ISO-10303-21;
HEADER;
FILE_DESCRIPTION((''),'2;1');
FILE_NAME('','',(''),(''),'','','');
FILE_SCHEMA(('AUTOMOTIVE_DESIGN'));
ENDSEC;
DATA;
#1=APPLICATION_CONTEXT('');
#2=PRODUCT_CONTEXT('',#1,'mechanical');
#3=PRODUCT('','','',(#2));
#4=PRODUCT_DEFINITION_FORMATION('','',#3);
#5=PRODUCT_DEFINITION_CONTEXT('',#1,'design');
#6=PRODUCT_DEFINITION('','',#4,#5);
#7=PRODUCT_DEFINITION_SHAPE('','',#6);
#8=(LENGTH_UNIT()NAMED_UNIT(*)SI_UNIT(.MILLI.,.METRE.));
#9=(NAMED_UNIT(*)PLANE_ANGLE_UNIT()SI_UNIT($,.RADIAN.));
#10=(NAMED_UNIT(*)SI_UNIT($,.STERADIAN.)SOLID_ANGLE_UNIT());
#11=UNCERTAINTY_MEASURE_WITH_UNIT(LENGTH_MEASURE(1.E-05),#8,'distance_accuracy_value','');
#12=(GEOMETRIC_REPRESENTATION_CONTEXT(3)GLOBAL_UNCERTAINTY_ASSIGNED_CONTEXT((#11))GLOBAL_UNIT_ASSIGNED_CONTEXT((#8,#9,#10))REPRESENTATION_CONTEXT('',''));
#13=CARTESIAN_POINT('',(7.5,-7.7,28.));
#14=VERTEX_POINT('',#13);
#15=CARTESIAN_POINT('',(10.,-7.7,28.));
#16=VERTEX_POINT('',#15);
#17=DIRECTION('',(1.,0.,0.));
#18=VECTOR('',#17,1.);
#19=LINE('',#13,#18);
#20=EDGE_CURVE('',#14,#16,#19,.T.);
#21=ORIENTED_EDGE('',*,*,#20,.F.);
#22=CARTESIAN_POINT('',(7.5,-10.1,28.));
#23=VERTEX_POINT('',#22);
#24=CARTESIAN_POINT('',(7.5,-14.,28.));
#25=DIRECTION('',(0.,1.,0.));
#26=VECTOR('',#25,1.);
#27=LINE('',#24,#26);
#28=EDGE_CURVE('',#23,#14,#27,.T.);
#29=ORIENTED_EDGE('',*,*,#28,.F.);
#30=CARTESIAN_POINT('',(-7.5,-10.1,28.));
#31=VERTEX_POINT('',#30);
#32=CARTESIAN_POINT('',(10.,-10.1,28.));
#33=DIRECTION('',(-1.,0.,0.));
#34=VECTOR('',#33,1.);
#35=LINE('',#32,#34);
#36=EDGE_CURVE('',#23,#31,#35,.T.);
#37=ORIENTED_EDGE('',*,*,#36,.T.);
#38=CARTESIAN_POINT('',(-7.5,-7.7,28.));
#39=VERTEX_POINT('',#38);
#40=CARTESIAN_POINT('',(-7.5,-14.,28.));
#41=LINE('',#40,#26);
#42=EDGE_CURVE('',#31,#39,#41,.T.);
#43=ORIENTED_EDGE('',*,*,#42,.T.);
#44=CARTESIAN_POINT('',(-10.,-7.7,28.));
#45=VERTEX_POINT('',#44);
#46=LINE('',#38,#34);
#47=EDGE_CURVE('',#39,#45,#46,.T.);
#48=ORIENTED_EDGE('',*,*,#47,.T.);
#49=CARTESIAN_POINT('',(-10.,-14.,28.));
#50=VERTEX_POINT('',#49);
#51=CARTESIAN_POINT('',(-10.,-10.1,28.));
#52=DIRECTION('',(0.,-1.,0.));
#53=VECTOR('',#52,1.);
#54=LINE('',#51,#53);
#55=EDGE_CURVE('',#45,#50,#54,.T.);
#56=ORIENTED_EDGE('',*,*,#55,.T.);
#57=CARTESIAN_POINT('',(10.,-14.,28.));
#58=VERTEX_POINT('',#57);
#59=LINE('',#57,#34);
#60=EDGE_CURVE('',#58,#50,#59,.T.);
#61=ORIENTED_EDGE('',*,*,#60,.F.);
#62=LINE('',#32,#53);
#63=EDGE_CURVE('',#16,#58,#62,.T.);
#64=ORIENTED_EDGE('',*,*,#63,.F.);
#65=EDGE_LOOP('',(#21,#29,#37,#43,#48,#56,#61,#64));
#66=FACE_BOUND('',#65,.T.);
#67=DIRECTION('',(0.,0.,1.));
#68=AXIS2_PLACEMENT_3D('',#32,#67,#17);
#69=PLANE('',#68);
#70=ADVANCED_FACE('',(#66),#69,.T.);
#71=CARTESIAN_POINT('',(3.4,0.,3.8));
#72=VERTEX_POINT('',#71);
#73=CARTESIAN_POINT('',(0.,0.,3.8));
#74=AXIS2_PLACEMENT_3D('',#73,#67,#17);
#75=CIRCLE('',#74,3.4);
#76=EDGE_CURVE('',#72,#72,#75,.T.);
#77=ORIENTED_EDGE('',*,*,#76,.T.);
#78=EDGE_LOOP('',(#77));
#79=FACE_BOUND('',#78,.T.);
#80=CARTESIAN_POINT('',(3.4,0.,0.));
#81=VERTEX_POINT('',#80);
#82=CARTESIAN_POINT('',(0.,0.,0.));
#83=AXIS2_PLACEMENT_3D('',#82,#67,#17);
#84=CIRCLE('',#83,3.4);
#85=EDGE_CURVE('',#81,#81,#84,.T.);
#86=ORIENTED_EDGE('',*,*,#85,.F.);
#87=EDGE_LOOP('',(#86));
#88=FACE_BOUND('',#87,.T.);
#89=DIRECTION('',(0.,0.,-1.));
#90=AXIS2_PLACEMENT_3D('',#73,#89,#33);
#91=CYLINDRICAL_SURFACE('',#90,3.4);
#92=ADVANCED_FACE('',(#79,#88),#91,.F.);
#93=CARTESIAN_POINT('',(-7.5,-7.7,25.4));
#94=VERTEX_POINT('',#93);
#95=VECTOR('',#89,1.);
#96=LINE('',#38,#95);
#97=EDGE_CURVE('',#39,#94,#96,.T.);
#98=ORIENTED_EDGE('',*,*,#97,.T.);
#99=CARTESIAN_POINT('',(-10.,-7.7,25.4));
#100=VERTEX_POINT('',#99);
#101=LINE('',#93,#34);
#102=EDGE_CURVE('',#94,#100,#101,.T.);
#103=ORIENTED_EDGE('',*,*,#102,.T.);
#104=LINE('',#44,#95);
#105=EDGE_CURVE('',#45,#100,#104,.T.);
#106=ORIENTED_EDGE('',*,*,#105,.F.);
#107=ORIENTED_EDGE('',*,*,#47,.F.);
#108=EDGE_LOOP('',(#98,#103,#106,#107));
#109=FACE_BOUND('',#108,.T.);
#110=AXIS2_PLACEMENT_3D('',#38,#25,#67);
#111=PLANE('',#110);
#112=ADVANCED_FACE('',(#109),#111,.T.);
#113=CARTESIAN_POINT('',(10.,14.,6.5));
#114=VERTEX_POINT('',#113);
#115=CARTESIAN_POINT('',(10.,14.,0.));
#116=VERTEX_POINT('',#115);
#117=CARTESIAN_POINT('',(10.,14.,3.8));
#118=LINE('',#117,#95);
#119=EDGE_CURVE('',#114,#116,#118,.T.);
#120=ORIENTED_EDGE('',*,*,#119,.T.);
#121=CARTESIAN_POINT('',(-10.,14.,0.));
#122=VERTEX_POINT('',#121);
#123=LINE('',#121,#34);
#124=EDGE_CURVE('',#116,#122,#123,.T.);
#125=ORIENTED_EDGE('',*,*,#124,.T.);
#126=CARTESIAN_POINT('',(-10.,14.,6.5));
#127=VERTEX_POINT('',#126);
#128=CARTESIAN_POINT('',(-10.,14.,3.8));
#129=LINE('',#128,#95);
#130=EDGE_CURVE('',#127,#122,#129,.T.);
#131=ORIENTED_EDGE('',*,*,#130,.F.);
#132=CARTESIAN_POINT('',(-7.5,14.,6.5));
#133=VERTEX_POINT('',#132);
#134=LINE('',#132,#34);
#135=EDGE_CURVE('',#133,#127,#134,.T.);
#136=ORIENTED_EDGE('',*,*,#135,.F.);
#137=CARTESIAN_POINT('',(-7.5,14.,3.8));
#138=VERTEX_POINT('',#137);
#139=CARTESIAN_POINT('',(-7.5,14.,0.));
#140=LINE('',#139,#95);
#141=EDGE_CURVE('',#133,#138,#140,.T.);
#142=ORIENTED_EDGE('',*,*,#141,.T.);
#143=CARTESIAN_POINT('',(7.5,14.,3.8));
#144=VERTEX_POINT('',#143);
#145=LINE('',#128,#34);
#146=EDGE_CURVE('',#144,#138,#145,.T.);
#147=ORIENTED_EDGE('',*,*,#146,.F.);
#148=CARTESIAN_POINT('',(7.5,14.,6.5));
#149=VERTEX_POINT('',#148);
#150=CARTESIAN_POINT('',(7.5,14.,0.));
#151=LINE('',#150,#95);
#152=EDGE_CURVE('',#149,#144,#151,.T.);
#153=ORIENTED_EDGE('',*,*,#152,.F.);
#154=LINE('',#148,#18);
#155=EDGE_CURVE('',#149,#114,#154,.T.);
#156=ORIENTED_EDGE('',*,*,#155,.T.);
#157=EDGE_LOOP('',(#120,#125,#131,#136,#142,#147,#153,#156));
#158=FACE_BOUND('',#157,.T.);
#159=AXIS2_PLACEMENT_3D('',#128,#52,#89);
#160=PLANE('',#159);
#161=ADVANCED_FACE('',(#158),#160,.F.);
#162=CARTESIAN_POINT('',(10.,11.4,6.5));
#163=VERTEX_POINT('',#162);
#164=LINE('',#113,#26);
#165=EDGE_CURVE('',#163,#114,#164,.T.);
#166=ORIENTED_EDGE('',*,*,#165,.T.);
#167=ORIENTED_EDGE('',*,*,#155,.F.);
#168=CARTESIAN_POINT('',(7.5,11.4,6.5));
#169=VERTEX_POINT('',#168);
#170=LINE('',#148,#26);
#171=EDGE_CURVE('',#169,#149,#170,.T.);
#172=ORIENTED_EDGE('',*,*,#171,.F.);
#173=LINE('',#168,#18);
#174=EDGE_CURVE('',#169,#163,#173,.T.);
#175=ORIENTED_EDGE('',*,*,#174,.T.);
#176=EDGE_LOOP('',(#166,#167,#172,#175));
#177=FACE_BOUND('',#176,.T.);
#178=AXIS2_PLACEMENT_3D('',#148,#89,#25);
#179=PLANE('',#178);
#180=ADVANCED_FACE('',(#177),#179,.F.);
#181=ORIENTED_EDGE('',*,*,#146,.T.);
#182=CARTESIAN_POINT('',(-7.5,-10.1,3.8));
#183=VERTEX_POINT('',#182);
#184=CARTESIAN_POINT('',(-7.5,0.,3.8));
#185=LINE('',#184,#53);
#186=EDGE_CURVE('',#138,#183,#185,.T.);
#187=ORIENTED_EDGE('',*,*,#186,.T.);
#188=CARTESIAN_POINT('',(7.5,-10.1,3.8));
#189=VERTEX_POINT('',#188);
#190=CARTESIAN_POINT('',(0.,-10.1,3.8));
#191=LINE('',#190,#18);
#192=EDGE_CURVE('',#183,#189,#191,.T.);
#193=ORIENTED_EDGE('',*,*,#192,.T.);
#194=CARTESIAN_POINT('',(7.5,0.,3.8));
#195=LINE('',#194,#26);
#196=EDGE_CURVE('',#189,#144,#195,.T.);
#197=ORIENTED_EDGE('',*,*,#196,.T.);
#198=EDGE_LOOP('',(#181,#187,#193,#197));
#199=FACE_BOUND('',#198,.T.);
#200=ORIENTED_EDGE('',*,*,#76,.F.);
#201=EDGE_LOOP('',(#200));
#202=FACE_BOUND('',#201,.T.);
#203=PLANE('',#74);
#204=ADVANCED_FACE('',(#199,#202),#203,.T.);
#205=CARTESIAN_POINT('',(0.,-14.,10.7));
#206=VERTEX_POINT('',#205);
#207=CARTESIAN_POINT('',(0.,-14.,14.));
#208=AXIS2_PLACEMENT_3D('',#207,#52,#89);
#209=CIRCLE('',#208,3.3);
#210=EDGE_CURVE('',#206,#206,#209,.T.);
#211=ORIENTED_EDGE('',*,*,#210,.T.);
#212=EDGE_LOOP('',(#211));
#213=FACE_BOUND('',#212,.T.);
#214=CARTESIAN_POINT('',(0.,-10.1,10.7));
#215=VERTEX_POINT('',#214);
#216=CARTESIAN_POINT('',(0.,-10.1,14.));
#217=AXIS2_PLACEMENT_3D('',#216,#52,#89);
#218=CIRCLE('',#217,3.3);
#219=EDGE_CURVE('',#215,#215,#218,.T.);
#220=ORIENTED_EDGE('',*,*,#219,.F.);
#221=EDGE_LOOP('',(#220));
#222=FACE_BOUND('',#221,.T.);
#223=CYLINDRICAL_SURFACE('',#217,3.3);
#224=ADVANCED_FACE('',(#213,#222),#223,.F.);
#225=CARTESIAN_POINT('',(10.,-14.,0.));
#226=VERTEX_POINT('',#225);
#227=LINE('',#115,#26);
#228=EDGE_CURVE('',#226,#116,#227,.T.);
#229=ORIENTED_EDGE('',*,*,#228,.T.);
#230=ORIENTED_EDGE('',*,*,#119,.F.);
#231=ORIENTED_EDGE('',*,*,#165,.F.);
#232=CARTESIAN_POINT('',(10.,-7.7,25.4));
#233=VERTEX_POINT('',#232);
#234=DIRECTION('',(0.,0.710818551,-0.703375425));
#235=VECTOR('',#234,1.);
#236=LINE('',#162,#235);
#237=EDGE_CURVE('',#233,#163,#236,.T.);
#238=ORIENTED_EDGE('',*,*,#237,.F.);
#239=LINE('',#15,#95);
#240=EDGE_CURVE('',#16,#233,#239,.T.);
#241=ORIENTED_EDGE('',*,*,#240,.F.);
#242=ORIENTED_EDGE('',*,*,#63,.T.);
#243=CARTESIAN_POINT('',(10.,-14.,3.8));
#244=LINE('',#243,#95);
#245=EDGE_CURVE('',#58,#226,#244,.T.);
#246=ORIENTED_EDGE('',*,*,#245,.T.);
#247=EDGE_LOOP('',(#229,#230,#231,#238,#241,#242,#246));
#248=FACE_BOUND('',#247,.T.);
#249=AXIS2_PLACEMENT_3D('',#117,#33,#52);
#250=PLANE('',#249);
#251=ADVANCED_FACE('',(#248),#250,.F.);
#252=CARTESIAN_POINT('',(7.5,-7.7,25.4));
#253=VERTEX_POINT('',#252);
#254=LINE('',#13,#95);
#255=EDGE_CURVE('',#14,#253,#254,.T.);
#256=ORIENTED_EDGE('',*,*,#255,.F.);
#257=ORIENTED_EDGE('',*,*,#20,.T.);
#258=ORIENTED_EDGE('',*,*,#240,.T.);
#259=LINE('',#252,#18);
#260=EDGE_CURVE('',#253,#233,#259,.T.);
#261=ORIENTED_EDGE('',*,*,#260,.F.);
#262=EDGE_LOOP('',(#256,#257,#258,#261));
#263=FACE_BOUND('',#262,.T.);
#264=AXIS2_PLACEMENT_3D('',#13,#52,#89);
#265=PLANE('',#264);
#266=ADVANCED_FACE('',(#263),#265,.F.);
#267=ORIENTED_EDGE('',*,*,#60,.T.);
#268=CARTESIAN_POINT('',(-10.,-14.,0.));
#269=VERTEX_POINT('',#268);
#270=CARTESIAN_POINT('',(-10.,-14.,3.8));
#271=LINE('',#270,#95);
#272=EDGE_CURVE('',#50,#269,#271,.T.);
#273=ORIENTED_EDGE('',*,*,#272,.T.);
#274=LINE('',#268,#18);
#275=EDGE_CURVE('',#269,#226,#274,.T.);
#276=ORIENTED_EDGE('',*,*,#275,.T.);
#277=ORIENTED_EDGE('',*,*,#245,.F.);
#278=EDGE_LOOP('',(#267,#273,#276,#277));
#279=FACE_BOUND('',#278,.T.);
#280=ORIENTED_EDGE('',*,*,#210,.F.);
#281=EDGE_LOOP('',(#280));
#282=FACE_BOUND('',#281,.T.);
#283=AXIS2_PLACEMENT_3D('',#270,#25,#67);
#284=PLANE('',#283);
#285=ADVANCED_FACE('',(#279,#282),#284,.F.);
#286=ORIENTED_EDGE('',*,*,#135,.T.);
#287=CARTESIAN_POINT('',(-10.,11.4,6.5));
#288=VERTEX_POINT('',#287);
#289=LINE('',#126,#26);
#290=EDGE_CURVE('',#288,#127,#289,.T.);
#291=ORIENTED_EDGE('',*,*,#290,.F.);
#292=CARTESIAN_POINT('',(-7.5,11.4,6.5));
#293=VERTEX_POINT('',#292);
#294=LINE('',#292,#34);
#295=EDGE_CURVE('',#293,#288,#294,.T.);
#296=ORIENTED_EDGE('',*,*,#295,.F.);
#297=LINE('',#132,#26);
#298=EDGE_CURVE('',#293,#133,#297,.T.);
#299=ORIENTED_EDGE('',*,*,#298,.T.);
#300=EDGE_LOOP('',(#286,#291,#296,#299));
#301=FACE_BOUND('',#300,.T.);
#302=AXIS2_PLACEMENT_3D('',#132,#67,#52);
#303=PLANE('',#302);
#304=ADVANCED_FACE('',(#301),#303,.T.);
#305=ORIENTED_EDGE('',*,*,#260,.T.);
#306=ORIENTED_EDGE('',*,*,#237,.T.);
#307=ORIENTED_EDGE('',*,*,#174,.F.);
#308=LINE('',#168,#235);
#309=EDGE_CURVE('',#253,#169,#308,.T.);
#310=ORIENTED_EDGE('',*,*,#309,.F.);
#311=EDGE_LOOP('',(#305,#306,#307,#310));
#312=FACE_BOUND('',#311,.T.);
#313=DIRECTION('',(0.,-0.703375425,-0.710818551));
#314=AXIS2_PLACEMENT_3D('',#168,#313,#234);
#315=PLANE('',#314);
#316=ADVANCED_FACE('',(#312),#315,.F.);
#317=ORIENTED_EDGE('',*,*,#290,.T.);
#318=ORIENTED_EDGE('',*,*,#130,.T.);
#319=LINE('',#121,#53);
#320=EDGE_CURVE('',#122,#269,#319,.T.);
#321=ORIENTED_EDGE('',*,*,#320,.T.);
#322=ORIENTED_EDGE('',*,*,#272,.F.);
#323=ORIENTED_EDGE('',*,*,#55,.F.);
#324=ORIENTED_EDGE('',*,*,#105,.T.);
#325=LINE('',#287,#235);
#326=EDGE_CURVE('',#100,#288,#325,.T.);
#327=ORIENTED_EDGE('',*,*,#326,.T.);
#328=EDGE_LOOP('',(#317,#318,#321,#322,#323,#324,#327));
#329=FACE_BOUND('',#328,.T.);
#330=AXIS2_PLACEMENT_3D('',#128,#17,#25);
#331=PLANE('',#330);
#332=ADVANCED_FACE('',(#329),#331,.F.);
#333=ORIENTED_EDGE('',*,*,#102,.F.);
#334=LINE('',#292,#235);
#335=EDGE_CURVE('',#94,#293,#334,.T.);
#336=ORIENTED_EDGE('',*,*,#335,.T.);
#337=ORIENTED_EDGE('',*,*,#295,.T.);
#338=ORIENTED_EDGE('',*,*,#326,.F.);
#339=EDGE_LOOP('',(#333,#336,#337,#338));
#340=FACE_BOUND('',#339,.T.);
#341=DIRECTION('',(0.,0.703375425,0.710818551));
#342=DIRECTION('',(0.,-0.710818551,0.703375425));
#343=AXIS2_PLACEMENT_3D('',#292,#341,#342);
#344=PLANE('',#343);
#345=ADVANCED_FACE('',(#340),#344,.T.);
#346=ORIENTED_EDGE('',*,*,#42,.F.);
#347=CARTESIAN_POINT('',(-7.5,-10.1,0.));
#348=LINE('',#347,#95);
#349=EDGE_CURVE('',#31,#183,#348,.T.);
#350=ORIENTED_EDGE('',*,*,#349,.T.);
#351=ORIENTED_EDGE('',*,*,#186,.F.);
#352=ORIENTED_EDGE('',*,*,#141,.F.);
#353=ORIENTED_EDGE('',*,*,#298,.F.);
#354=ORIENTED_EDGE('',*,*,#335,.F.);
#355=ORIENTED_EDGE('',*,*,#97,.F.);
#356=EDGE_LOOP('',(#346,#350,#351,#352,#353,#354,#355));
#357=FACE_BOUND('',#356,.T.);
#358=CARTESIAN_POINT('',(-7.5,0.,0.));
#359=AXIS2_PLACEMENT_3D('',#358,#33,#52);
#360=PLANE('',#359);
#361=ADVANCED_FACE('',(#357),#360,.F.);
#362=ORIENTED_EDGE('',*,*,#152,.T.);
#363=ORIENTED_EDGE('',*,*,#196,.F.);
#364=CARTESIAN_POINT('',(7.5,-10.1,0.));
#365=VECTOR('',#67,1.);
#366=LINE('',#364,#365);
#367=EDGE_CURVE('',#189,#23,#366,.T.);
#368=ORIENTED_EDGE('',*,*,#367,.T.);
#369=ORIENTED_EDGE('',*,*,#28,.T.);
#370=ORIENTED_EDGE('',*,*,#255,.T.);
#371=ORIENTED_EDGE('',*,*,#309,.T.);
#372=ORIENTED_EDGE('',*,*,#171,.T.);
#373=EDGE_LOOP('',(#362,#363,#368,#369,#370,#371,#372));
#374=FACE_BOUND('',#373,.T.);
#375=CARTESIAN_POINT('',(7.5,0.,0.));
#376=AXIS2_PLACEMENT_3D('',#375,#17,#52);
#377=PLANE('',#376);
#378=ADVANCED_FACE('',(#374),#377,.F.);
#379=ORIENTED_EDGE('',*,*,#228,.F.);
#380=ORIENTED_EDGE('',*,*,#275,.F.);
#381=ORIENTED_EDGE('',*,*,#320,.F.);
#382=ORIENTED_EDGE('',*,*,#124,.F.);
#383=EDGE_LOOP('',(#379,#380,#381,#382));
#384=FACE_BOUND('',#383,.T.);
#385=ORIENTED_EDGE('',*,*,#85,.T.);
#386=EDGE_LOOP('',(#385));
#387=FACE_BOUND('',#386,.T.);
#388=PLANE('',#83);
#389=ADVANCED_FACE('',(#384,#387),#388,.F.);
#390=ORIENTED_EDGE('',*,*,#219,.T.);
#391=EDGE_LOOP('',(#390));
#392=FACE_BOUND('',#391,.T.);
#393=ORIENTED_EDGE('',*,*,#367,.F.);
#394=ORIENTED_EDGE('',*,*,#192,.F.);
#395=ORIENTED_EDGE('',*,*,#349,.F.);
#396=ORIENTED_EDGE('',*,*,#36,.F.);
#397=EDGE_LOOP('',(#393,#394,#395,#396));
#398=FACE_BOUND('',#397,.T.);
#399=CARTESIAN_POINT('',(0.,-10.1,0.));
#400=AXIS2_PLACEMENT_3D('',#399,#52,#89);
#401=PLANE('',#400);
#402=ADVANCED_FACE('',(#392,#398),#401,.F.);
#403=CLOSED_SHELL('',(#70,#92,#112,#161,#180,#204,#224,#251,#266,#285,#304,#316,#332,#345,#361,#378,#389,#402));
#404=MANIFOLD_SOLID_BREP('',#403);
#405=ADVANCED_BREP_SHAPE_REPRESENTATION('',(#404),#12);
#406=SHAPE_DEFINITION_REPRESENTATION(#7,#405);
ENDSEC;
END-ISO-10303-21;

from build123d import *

# Parameters (mm, degrees)
SKETCH1_W           = 20
SKETCH1_H           = 28
SKETCH1_R           = 3.4
BOSS_EXTRUDE1_DEPTH = 3.8
SKETCH2_W           = 20
SKETCH2_H           = 28
SKETCH2_R           = 3.3
BOSS_EXTRUDE2_DEPTH = 3.9
SKETCH3_W           = 6.5
SKETCH3_H           = 24.1
BOSS_EXTRUDE3_DEPTH = 2.5
SKETCH4_W           = 28
SKETCH4_H           = 6.3
BOSS_EXTRUDE4_DEPTH = 2.5
BOSS_EXTRUDE5_DEPTH = 2.5


with BuildPart() as part:
    # Sketch1 → Boss-Extrude1 (new body)
    with BuildSketch(Plane.XY):
        Rectangle(SKETCH1_W, SKETCH1_H)
        Circle(SKETCH1_R, mode=Mode.SUBTRACT)
    extrude(amount=BOSS_EXTRUDE1_DEPTH)

    # Sketch2 → Boss-Extrude2 (add)
    with BuildSketch(Plane.XZ.offset(14)):
        with Locations((0, 14)):
            Rectangle(SKETCH2_W, SKETCH2_H)
        with Locations((0, 14)):
            Circle(SKETCH2_R, mode=Mode.SUBTRACT)
    extrude(amount=-BOSS_EXTRUDE2_DEPTH)

    # Sketch3 → Boss-Extrude3 (add)
    with BuildSketch(Plane.ZY.offset(10)):
        with Locations((3.25, 1.95)):
            Rectangle(SKETCH3_W, SKETCH3_H)
    boss_extrude3 = extrude(amount=-BOSS_EXTRUDE3_DEPTH)

    # Mirror1: Boss-Extrude3 across plane
    add(boss_extrude3.mirror(Plane(origin=(0, 0, 0), x_dir=(0, 0, 1), z_dir=(1, 0, 0))))

    # Sketch4 → Boss-Extrude4 (add)
    with BuildSketch(Plane.ZY.offset(10)):
        with Locations((14, -10.85)):
            Rectangle(SKETCH4_W, SKETCH4_H)
    boss_extrude4 = extrude(amount=-BOSS_EXTRUDE4_DEPTH)

    # Mirror2: Boss-Extrude4 across plane
    add(boss_extrude4.mirror(Plane(origin=(0, 0, 0), x_dir=(0, 0, 1), z_dir=(1, 0, 0))))

    # Sketch5 → Boss-Extrude5 (add)
    with BuildSketch(Plane.ZY.offset(10)):
        Polygon((6.5, 11.4), (25.4, -7.7), (6.5, -7.7), align=None)
    boss_extrude5 = extrude(amount=-BOSS_EXTRUDE5_DEPTH)

    # Mirror3: Boss-Extrude5 across plane
    add(boss_extrude5.mirror(Plane(origin=(0, 0, 0), x_dir=(0, 0, 1), z_dir=(1, 0, 0))))


solid = part.part
